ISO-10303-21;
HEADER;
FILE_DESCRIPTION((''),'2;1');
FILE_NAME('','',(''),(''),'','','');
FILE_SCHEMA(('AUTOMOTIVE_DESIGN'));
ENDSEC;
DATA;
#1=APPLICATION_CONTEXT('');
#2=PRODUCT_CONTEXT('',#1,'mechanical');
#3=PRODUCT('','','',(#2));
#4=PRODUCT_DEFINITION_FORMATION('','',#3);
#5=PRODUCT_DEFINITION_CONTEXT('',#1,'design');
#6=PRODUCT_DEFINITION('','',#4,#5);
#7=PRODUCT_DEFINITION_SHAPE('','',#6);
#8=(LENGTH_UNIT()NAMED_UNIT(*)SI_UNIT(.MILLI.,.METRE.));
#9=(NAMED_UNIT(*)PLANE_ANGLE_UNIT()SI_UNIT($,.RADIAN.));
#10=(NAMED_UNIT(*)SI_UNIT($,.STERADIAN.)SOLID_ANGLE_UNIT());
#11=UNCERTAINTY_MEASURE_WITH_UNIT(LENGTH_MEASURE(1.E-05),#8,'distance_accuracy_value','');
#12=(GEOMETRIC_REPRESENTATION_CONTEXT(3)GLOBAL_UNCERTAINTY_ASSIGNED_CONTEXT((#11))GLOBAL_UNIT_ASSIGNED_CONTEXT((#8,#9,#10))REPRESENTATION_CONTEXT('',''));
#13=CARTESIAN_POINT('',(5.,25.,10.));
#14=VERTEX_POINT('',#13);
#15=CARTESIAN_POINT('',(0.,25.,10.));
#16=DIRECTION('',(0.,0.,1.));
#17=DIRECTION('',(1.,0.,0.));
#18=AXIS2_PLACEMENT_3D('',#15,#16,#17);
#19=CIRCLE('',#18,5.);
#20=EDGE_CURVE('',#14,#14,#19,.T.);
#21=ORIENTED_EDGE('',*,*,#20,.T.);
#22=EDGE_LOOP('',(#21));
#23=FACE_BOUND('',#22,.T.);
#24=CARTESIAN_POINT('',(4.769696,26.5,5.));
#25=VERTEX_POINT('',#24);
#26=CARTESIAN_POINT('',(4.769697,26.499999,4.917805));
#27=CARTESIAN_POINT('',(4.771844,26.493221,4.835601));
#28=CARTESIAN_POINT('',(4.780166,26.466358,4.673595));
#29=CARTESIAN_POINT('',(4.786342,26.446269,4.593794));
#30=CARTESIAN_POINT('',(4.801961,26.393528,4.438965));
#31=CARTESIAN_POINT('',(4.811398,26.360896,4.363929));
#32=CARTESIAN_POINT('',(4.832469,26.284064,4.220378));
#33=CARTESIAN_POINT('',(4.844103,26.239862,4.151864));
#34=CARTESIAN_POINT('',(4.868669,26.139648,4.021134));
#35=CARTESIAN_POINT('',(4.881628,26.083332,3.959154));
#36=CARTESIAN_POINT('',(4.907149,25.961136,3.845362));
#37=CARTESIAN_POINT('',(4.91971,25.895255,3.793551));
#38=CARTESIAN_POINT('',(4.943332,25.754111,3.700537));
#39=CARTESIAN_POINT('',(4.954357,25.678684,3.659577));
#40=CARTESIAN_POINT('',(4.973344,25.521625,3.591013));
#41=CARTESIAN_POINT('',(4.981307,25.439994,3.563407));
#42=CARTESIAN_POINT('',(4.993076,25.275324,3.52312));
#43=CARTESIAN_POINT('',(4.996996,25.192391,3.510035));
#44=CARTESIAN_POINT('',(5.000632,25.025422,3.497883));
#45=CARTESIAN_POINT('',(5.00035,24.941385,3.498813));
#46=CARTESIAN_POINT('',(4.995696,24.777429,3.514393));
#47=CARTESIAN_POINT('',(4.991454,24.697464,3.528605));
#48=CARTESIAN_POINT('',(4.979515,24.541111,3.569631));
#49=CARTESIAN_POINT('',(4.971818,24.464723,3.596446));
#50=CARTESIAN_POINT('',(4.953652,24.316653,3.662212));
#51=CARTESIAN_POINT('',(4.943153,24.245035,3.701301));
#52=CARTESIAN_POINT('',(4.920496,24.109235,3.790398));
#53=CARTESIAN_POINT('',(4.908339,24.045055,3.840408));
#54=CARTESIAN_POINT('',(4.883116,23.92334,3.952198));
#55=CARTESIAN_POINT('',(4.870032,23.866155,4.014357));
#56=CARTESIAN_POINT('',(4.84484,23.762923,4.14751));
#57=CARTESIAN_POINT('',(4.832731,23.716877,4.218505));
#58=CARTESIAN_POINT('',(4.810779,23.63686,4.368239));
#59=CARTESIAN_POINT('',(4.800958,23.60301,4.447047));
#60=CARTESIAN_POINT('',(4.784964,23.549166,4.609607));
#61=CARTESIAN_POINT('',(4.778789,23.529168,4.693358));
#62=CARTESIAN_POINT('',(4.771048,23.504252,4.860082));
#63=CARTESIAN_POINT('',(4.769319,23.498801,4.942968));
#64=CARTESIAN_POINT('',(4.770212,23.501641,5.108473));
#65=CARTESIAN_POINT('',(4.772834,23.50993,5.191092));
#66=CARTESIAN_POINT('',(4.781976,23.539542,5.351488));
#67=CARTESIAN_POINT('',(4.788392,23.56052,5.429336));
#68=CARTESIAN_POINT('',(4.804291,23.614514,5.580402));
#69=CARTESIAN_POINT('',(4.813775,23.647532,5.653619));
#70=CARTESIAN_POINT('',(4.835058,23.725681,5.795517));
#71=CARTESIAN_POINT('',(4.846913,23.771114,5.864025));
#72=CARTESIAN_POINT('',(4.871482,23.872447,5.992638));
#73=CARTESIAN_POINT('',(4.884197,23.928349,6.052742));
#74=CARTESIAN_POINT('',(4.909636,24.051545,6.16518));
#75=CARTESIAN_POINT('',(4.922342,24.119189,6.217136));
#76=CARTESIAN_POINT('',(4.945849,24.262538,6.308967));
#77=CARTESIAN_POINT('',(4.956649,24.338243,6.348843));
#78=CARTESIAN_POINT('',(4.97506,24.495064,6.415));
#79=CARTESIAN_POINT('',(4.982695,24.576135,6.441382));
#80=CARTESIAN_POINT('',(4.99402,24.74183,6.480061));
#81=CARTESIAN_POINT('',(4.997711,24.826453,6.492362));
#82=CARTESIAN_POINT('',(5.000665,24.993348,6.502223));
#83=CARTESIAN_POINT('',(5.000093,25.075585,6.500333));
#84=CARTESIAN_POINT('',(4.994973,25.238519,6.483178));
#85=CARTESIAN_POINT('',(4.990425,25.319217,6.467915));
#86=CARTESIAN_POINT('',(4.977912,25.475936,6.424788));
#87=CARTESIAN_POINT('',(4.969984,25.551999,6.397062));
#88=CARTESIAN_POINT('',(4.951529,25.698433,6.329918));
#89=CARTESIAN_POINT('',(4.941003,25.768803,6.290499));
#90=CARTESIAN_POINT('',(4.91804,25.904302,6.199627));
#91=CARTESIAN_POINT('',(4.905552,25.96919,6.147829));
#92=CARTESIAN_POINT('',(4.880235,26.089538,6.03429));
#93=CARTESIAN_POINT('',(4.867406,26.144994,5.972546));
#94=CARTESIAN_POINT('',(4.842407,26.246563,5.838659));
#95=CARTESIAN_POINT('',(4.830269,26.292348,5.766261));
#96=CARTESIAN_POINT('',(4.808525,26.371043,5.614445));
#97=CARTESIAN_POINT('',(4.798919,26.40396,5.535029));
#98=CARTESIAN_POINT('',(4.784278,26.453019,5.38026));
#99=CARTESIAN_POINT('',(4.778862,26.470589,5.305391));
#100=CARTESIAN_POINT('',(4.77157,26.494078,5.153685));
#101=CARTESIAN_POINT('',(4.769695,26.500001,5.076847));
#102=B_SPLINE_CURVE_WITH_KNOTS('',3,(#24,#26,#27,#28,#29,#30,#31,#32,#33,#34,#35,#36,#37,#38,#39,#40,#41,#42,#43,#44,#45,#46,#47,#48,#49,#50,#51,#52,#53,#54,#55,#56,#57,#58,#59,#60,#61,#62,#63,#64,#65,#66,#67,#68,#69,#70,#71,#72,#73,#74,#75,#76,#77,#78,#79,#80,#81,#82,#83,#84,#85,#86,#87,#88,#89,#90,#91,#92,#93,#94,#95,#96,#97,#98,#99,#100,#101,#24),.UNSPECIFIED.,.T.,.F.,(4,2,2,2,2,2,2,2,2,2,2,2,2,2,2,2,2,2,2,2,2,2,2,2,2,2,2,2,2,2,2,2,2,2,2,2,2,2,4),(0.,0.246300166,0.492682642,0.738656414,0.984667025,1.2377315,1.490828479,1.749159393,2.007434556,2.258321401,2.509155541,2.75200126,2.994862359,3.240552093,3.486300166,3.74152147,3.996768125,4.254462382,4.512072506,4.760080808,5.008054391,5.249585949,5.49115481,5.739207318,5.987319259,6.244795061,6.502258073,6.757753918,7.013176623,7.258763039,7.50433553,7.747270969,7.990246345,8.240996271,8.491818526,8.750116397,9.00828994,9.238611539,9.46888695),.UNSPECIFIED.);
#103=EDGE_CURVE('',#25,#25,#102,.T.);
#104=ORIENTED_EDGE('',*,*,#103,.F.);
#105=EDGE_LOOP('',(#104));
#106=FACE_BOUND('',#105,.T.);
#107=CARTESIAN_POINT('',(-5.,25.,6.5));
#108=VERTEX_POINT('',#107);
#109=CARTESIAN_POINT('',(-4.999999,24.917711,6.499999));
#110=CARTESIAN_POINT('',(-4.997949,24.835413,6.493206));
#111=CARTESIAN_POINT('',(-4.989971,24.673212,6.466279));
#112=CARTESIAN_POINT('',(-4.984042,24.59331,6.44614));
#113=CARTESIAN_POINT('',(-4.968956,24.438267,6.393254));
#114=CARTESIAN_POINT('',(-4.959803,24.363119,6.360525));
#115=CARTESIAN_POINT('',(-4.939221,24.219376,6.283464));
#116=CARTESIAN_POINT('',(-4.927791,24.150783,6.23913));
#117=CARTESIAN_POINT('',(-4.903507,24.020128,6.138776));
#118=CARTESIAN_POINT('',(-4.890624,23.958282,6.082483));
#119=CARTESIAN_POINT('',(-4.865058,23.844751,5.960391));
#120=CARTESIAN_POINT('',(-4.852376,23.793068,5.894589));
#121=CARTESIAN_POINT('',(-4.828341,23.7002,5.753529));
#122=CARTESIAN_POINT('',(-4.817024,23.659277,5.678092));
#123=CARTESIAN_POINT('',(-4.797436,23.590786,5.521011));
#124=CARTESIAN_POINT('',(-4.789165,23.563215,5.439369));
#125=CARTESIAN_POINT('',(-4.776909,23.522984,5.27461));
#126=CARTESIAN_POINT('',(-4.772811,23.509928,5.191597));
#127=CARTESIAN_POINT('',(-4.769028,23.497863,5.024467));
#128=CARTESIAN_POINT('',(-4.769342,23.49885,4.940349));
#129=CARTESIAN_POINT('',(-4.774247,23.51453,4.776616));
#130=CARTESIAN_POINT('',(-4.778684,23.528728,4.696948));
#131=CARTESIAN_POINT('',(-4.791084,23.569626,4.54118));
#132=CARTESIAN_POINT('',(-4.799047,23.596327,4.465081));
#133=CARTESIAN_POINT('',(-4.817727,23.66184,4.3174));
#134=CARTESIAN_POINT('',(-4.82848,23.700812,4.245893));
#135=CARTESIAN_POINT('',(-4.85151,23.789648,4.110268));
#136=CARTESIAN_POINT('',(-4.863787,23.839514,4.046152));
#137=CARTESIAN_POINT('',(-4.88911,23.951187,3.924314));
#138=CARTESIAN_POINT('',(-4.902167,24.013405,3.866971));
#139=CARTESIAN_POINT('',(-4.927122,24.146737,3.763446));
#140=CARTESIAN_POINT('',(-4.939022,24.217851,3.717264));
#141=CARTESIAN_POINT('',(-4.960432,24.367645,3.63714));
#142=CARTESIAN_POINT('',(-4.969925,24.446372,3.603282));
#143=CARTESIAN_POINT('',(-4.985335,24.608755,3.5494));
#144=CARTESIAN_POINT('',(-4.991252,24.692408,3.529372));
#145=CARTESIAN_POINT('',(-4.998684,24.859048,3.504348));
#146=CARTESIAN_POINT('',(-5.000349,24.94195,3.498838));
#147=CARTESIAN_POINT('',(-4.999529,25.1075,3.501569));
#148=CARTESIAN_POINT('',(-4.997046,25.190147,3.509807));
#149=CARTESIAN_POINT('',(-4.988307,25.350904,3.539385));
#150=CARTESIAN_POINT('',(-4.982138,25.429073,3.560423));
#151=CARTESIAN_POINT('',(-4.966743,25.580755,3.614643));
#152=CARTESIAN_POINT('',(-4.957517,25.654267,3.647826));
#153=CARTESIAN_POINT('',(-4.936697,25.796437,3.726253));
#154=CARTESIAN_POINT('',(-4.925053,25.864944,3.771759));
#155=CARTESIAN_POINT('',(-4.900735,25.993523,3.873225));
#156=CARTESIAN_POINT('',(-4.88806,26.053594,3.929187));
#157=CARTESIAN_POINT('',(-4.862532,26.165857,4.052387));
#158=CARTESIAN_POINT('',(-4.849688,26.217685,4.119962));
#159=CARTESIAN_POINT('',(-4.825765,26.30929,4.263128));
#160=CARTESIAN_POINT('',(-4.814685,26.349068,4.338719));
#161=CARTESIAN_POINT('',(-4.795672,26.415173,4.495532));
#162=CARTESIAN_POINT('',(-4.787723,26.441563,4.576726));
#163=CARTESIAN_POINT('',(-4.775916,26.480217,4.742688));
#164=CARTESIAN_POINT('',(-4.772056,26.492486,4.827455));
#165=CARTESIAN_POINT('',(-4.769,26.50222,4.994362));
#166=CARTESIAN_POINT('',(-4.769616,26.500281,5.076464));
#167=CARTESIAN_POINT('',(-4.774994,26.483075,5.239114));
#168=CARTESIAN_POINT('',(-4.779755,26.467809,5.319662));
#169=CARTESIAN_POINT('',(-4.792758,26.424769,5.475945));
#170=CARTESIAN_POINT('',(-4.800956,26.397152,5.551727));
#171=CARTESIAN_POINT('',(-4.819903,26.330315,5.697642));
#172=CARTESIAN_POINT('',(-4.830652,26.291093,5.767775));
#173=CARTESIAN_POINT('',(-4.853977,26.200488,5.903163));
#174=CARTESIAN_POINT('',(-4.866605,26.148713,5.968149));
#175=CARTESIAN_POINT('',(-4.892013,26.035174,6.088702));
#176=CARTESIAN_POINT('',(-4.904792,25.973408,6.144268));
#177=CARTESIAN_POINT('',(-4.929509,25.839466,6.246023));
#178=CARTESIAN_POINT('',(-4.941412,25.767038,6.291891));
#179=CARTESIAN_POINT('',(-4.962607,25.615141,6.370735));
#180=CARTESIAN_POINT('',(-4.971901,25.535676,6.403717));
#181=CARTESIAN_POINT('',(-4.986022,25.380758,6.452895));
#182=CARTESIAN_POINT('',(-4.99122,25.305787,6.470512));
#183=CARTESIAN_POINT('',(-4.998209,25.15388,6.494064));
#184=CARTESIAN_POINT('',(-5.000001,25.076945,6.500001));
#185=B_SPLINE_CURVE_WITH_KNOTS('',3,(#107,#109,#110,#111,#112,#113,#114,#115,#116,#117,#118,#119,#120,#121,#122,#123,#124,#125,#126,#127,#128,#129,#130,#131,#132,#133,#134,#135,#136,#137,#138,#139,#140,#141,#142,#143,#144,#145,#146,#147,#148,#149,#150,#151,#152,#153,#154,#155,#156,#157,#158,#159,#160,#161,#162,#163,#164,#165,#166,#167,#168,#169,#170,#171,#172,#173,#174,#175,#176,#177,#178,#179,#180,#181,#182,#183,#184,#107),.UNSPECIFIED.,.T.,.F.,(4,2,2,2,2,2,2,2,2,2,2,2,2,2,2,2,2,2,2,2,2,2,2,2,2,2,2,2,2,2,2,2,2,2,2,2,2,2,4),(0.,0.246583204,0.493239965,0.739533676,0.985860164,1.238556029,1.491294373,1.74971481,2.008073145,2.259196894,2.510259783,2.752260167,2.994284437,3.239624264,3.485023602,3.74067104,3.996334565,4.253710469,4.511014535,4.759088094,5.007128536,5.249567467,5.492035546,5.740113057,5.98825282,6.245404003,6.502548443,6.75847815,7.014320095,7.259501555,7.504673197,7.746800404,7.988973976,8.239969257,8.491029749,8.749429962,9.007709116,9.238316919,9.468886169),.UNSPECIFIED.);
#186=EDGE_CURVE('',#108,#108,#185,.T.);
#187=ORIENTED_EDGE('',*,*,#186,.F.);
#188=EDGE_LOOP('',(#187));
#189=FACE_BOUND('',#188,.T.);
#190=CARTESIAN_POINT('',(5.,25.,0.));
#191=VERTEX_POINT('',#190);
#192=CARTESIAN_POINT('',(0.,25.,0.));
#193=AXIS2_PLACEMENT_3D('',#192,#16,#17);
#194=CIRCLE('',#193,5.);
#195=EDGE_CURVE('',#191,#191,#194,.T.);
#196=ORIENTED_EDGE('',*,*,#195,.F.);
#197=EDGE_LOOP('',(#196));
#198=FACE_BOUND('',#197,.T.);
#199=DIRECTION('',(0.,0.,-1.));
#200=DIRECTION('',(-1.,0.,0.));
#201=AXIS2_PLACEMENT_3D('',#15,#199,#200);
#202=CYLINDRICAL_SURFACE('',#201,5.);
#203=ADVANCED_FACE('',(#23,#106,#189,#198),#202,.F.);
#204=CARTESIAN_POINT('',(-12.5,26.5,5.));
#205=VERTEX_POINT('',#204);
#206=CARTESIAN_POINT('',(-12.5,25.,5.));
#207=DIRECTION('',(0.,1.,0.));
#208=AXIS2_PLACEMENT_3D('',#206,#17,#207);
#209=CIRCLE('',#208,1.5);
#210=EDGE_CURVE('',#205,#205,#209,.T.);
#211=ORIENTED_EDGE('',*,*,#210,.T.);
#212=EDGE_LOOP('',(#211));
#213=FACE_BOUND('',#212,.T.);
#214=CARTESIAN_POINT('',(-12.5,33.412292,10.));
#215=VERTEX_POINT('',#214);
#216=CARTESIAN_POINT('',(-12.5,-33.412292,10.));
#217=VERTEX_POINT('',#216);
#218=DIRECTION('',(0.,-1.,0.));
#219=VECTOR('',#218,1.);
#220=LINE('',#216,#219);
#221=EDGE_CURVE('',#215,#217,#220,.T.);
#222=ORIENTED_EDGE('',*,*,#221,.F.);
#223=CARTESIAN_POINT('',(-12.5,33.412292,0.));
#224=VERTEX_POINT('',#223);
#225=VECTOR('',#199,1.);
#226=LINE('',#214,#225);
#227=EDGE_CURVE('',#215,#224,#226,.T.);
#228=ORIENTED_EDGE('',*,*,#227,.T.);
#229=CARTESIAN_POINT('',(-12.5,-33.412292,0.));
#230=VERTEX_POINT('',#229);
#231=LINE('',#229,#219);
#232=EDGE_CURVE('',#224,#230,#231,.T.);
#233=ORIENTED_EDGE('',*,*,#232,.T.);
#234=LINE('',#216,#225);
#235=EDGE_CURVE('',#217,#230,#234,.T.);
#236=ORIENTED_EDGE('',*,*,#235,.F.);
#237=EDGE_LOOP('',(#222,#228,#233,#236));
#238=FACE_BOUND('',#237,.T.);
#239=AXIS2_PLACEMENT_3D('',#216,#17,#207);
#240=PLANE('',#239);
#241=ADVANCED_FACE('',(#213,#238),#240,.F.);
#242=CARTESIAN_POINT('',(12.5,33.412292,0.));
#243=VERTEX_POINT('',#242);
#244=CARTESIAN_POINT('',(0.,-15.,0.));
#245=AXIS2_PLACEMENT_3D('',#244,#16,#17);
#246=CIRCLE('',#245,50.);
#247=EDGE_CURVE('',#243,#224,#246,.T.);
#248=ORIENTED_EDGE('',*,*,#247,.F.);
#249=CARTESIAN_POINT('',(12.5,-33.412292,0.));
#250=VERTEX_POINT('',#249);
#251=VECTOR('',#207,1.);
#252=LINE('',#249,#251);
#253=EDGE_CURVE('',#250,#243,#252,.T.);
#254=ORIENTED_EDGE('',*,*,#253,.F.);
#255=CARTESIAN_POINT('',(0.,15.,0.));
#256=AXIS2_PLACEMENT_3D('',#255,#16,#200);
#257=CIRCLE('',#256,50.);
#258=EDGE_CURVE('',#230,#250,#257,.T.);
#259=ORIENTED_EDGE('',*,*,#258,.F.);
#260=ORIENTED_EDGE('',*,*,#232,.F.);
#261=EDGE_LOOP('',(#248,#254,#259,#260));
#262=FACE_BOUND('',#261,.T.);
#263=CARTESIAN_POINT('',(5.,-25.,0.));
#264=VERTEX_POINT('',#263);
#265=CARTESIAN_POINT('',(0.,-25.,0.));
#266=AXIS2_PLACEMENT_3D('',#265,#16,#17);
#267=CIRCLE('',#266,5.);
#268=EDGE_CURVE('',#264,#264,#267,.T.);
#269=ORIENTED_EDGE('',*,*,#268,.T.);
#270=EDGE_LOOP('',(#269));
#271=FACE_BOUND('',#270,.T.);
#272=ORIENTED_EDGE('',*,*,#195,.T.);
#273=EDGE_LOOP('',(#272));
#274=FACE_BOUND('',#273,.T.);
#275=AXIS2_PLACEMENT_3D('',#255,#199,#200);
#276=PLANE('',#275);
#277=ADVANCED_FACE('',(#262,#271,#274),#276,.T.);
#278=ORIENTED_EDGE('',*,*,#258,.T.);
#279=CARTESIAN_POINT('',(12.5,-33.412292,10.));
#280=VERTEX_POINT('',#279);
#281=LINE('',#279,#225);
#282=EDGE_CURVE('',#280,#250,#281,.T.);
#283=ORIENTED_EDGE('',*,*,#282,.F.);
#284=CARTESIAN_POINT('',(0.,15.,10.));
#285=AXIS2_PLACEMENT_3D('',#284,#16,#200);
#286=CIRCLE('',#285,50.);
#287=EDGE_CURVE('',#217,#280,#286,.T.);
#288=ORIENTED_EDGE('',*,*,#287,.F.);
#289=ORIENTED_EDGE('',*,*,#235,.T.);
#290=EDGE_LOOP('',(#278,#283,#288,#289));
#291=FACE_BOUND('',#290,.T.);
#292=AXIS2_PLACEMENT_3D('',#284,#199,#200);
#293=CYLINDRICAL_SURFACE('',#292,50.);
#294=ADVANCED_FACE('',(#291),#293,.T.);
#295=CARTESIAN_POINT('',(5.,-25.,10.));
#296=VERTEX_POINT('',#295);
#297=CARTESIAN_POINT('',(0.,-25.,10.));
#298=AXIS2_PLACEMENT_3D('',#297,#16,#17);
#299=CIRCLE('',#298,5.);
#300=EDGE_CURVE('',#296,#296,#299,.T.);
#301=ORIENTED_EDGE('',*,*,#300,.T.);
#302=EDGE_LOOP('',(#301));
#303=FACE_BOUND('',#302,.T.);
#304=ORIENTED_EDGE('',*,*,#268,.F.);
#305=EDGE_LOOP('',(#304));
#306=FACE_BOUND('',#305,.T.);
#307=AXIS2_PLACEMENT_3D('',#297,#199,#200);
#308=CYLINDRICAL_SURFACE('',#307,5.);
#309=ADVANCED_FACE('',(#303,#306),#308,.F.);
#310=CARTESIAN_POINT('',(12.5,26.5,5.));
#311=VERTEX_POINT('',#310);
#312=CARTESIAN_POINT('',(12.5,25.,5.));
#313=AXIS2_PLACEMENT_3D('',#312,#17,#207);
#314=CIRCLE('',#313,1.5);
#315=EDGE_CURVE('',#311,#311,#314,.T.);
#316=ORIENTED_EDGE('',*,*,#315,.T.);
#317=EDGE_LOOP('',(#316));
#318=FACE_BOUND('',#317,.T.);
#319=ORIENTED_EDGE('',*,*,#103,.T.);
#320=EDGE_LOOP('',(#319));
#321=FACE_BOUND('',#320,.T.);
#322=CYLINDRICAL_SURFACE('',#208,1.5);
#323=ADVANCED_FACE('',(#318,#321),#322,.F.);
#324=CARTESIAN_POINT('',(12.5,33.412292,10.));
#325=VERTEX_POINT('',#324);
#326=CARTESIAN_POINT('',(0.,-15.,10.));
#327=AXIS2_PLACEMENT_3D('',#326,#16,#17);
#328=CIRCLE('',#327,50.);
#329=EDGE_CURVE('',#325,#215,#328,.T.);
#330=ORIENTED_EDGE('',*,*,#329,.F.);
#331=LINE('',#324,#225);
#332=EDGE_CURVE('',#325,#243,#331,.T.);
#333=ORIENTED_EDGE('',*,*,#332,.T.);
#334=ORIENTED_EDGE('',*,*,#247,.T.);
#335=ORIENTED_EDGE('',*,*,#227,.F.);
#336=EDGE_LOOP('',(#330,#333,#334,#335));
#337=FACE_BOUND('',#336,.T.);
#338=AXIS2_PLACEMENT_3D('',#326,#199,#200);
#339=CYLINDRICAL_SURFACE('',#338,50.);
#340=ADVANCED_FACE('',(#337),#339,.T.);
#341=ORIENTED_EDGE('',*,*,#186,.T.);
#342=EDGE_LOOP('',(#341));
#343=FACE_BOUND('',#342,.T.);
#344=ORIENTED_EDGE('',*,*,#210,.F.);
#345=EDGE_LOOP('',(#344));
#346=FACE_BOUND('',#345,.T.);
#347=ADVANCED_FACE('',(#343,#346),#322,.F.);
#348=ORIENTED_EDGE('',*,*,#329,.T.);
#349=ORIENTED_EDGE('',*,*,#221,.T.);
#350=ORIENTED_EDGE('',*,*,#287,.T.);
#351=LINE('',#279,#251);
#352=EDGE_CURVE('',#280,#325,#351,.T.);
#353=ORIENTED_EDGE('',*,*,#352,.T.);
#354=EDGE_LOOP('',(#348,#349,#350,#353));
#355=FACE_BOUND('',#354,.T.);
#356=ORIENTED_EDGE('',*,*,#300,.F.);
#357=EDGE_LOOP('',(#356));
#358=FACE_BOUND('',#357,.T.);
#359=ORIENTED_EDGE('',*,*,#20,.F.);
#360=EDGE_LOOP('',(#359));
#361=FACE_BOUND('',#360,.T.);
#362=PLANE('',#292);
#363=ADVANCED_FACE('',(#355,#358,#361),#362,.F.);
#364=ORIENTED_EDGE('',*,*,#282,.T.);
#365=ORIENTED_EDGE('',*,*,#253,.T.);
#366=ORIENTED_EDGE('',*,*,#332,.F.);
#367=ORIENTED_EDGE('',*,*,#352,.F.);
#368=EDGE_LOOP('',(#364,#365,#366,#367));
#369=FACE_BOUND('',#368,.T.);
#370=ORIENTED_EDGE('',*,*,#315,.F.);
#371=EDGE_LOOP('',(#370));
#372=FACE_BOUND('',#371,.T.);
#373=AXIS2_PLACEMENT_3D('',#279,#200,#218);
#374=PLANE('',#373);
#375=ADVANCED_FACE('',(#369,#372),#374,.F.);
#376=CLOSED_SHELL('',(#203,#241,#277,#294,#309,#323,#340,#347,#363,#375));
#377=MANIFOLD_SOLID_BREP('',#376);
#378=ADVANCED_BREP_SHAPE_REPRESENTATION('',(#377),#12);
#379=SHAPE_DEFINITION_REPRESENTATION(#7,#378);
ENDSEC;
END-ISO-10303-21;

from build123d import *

# Parameters (mm, degrees)
SKETCH1_R             = 5
CORPO_DEPTH           = 10
SKETCH2_R             = 1.5
FURO_3_PASSANTE_DEPTH = 45.158804332


with BuildPart() as part:
    # Sketch1 → Corpo (new body)
    with BuildSketch(Plane.XY):
        with BuildLine():
            Line((-12.5, -33.412291828), (-12.5, 33.412291828))
            ThreePointArc((-12.5, 33.412291828), (0, 35), (12.5, 33.412291828))
            Line((12.5, 33.412291828), (12.5, -33.412291828))
            ThreePointArc((12.5, -33.412291828), (0, -35), (-12.5, -33.412291828))
        make_face()
        with Locations((0, -25)):
            Circle(SKETCH1_R, mode=Mode.SUBTRACT)
        with Locations((0, 25)):
            Circle(SKETCH1_R, mode=Mode.SUBTRACT)
    extrude(amount=CORPO_DEPTH)

    # Sketch2 → Furo Ø3 Passante (cut, through all)
    with BuildSketch(Plane(origin=(12.5, 0, 0), x_dir=(0, 0, -1), z_dir=(1, 0, 0))):
        with Locations(Location((-5, 25, 0), (0, 0, 90))):
            Circle(SKETCH2_R)
    extrude(amount=-FURO_3_PASSANTE_DEPTH, mode=Mode.SUBTRACT)


solid = part.part
